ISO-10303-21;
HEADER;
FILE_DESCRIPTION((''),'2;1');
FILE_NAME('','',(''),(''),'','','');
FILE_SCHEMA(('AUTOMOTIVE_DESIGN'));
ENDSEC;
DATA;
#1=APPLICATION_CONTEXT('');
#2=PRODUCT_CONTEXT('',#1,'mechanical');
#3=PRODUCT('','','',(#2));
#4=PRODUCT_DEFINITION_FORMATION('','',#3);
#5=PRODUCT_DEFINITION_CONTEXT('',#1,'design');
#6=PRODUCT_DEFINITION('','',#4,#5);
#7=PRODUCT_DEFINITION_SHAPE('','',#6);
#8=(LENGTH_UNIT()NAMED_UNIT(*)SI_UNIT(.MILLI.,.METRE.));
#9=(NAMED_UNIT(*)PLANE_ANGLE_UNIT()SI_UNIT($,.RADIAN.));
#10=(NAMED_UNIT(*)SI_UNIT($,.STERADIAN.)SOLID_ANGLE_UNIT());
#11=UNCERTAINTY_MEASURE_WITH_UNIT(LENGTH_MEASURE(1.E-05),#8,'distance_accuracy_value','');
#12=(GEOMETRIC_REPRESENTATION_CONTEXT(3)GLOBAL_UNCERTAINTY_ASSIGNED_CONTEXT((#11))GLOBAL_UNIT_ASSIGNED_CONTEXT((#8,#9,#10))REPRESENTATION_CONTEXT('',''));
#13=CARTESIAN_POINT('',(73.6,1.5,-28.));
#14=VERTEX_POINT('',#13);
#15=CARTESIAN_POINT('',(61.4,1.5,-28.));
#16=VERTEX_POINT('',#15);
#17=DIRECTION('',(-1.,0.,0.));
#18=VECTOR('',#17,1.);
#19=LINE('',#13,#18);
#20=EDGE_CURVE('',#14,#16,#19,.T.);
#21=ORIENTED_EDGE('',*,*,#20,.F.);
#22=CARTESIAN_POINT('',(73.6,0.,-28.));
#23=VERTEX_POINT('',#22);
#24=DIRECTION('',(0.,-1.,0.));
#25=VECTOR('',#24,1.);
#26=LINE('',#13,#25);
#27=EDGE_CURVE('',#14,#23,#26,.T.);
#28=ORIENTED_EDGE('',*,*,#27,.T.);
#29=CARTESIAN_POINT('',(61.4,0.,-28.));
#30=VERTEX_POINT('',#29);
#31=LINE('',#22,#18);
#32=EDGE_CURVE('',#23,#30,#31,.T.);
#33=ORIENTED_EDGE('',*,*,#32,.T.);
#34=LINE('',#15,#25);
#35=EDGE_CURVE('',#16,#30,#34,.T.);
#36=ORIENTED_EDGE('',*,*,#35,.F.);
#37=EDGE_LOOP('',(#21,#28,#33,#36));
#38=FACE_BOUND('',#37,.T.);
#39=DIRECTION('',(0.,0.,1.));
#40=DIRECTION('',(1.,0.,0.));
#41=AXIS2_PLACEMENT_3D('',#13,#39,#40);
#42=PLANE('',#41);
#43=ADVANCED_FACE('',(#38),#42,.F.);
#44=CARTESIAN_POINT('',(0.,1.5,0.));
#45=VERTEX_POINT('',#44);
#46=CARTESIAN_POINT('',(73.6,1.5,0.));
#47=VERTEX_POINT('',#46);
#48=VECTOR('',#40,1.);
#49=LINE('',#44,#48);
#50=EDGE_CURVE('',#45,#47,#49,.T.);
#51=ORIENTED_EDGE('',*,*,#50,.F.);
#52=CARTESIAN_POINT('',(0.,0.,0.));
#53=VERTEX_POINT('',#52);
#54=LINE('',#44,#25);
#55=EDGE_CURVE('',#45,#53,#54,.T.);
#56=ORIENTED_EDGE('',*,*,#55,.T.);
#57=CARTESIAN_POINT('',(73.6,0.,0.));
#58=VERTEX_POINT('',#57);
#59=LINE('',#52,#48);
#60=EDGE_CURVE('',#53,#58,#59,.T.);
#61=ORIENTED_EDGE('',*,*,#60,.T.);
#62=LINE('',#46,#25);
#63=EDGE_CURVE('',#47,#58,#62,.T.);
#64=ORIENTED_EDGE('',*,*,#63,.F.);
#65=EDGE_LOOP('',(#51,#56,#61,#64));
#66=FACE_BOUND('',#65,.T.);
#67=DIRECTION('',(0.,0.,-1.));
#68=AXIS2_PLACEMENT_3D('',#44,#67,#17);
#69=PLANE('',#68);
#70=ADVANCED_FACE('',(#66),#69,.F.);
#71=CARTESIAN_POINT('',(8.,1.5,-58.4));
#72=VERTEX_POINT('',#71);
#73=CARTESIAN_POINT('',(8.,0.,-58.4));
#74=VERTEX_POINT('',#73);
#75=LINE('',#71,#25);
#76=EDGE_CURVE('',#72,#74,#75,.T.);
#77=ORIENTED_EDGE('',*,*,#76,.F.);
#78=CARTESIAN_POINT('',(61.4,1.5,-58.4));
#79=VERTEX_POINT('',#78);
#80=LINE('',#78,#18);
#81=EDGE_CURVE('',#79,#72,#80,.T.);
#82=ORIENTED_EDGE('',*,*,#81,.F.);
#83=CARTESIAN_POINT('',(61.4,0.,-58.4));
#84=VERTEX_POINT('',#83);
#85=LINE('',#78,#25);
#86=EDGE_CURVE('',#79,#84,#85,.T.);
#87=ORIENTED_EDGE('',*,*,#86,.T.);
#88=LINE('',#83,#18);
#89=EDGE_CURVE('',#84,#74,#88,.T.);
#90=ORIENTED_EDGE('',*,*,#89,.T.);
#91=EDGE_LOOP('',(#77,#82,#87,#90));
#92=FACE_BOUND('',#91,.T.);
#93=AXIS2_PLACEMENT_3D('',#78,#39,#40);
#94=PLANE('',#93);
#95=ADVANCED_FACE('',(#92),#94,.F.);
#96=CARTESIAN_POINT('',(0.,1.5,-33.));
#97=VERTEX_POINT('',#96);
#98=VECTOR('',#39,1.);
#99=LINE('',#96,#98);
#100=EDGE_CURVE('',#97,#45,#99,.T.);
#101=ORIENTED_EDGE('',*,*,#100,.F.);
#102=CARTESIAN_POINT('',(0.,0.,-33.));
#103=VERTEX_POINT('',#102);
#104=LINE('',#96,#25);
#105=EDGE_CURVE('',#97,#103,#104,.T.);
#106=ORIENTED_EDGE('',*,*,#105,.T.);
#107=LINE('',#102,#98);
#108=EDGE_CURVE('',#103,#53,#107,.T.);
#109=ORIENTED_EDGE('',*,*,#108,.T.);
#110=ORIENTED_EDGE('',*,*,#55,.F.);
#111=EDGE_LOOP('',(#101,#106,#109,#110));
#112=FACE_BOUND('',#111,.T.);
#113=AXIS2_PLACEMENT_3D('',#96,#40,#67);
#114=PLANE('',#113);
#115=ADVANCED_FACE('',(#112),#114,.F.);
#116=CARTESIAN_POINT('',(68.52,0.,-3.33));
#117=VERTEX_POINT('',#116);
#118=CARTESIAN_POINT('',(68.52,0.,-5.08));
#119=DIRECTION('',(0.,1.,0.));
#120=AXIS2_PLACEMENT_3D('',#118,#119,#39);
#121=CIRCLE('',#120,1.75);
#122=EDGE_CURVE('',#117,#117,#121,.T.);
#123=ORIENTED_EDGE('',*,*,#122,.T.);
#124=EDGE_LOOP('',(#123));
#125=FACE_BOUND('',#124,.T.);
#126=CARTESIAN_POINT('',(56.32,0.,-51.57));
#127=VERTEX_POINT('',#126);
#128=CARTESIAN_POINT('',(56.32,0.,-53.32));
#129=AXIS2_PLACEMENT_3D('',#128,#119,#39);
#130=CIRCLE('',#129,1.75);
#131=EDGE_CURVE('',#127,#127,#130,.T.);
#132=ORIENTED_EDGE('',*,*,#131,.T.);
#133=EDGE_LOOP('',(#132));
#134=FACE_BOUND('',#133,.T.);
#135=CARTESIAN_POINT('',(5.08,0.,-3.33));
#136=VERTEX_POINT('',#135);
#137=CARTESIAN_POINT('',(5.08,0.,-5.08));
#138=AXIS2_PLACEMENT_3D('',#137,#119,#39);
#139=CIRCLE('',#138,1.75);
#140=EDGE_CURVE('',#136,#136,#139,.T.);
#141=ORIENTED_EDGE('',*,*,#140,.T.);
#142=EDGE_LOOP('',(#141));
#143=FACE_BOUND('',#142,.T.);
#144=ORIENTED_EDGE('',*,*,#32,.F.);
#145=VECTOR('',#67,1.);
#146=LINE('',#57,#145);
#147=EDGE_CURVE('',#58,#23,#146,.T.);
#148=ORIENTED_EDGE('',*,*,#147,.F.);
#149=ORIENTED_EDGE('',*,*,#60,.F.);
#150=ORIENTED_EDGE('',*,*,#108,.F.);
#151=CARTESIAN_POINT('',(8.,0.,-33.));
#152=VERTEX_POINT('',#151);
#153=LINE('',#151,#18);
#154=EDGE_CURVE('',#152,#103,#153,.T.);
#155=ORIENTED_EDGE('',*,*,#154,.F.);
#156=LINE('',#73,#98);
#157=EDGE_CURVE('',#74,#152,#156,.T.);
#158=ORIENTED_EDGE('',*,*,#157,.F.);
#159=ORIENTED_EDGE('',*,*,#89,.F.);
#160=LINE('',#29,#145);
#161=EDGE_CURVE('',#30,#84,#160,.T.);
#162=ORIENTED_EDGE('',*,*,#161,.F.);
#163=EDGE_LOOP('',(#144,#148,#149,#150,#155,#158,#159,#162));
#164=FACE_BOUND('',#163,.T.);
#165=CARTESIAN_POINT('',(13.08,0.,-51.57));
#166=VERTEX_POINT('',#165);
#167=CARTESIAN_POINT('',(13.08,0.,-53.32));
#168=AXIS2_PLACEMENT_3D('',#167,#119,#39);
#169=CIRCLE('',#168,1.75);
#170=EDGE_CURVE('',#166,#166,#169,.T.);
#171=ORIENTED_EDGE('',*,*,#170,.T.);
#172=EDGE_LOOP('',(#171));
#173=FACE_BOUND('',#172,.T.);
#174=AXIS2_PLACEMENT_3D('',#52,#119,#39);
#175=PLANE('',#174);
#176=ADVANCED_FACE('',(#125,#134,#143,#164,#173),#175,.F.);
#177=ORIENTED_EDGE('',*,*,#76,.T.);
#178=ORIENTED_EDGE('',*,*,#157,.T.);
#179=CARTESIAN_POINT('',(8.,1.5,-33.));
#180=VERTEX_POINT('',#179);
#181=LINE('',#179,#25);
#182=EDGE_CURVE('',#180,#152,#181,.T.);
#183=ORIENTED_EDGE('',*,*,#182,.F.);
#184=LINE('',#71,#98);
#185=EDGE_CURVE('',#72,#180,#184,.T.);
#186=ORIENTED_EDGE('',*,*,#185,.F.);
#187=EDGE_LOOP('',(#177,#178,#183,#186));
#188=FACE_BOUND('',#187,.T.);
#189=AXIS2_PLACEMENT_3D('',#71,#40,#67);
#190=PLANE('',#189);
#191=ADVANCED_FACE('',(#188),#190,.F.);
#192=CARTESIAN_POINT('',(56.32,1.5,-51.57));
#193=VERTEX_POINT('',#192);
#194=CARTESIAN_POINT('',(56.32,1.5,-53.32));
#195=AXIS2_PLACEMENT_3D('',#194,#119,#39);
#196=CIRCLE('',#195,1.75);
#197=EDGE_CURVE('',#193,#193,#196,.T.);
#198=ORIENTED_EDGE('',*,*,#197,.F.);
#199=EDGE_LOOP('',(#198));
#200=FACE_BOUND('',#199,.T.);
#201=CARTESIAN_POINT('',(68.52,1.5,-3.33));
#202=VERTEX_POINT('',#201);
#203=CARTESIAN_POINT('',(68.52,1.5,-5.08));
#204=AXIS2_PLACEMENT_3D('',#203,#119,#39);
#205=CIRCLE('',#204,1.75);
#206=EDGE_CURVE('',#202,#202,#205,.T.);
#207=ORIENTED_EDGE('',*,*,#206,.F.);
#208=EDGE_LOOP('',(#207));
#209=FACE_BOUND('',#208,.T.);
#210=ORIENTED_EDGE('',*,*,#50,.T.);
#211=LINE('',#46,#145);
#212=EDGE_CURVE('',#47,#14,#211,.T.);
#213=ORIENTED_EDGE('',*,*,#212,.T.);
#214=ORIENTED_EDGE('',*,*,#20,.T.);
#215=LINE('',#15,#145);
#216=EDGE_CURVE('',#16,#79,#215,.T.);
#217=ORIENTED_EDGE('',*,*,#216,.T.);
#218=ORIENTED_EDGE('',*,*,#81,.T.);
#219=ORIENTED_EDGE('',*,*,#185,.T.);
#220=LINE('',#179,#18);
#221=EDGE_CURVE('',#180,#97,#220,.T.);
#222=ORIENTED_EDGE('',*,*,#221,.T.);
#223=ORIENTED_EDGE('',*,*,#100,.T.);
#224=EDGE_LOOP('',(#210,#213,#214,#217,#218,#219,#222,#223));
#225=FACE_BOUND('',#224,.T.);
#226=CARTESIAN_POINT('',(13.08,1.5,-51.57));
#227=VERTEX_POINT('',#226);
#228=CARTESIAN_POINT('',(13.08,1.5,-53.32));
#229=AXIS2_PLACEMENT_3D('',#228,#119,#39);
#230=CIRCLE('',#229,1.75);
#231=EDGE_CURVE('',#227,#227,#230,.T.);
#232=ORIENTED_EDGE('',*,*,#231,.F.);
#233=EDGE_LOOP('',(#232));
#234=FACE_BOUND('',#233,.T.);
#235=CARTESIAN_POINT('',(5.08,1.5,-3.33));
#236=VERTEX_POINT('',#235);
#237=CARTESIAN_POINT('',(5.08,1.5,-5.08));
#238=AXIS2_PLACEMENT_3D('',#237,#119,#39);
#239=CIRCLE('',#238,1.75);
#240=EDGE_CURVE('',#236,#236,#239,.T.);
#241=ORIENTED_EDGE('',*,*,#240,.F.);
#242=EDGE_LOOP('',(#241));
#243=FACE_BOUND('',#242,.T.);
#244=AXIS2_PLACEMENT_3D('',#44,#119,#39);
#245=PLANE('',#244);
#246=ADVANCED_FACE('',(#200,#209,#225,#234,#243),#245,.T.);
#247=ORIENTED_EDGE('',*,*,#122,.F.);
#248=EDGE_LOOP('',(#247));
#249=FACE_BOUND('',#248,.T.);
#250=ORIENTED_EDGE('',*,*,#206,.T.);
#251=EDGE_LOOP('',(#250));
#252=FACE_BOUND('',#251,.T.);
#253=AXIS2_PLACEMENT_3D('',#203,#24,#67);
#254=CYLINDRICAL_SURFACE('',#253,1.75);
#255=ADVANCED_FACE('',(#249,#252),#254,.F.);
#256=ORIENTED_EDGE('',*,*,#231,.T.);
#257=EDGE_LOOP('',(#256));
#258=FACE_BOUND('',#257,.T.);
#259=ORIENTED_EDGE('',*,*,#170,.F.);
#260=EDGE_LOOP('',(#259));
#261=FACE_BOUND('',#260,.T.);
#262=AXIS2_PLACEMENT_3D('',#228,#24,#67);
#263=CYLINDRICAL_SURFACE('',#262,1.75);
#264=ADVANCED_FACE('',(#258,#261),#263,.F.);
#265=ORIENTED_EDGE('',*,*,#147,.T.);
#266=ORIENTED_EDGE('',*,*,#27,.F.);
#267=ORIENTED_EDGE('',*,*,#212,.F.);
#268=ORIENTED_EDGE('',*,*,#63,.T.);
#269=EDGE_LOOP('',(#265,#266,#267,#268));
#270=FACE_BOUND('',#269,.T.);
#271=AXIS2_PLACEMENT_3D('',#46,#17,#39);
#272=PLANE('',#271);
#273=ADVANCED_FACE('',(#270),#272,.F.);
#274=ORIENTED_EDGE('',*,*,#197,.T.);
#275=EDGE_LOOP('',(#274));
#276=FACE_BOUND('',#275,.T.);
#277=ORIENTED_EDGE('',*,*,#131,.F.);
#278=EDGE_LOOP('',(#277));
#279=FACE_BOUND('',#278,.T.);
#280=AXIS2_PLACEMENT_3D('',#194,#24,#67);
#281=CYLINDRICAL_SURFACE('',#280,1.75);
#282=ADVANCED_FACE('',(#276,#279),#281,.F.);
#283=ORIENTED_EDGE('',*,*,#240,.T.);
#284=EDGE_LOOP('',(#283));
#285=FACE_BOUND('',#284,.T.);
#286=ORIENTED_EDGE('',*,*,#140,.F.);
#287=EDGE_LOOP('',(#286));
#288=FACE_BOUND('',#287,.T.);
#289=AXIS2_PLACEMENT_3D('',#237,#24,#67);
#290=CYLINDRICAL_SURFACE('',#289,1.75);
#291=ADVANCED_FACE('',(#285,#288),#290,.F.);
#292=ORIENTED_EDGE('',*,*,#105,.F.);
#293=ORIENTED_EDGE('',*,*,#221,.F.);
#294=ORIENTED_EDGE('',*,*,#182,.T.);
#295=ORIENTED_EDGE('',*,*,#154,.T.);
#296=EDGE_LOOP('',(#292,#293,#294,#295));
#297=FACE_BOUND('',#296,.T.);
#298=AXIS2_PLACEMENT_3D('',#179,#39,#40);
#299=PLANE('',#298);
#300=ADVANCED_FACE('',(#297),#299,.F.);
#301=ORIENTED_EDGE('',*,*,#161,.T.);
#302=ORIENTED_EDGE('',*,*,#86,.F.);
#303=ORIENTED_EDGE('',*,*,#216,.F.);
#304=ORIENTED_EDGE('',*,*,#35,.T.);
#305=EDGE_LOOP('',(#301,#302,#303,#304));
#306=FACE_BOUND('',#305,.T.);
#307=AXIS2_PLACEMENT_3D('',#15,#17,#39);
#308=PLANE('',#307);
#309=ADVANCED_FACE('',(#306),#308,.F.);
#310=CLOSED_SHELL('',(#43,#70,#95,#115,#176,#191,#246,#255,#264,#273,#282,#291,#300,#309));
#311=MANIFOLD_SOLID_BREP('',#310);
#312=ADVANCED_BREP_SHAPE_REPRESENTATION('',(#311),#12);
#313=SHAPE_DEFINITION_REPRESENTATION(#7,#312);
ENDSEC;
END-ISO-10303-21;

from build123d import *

# Parameters (mm, degrees)
SKETCH1_R           = 1.75
BOSS_EXTRUDE1_DEPTH = 1.5


with BuildPart() as part:
    # Sketch1 → Boss-Extrude1 (new body)
    with BuildSketch(Plane(origin=(0, 0, 0), x_dir=(1, 0, 0), z_dir=(0, 1, 0))):
        Polygon((0, 0), (73.6, 0), (73.6, 28), (61.4, 28), (61.4, 58.4), (8, 58.4), (8, 33), (0, 33), align=None)
        with Locations((5.08, 5.08)):
            Circle(SKETCH1_R, mode=Mode.SUBTRACT)
        with Locations((68.52, 5.08)):
            Circle(SKETCH1_R, mode=Mode.SUBTRACT)
        with Locations((13.08, 53.32)):
            Circle(SKETCH1_R, mode=Mode.SUBTRACT)
        with Locations((56.32, 53.32)):
            Circle(SKETCH1_R, mode=Mode.SUBTRACT)
    extrude(amount=BOSS_EXTRUDE1_DEPTH)


solid = part.part
